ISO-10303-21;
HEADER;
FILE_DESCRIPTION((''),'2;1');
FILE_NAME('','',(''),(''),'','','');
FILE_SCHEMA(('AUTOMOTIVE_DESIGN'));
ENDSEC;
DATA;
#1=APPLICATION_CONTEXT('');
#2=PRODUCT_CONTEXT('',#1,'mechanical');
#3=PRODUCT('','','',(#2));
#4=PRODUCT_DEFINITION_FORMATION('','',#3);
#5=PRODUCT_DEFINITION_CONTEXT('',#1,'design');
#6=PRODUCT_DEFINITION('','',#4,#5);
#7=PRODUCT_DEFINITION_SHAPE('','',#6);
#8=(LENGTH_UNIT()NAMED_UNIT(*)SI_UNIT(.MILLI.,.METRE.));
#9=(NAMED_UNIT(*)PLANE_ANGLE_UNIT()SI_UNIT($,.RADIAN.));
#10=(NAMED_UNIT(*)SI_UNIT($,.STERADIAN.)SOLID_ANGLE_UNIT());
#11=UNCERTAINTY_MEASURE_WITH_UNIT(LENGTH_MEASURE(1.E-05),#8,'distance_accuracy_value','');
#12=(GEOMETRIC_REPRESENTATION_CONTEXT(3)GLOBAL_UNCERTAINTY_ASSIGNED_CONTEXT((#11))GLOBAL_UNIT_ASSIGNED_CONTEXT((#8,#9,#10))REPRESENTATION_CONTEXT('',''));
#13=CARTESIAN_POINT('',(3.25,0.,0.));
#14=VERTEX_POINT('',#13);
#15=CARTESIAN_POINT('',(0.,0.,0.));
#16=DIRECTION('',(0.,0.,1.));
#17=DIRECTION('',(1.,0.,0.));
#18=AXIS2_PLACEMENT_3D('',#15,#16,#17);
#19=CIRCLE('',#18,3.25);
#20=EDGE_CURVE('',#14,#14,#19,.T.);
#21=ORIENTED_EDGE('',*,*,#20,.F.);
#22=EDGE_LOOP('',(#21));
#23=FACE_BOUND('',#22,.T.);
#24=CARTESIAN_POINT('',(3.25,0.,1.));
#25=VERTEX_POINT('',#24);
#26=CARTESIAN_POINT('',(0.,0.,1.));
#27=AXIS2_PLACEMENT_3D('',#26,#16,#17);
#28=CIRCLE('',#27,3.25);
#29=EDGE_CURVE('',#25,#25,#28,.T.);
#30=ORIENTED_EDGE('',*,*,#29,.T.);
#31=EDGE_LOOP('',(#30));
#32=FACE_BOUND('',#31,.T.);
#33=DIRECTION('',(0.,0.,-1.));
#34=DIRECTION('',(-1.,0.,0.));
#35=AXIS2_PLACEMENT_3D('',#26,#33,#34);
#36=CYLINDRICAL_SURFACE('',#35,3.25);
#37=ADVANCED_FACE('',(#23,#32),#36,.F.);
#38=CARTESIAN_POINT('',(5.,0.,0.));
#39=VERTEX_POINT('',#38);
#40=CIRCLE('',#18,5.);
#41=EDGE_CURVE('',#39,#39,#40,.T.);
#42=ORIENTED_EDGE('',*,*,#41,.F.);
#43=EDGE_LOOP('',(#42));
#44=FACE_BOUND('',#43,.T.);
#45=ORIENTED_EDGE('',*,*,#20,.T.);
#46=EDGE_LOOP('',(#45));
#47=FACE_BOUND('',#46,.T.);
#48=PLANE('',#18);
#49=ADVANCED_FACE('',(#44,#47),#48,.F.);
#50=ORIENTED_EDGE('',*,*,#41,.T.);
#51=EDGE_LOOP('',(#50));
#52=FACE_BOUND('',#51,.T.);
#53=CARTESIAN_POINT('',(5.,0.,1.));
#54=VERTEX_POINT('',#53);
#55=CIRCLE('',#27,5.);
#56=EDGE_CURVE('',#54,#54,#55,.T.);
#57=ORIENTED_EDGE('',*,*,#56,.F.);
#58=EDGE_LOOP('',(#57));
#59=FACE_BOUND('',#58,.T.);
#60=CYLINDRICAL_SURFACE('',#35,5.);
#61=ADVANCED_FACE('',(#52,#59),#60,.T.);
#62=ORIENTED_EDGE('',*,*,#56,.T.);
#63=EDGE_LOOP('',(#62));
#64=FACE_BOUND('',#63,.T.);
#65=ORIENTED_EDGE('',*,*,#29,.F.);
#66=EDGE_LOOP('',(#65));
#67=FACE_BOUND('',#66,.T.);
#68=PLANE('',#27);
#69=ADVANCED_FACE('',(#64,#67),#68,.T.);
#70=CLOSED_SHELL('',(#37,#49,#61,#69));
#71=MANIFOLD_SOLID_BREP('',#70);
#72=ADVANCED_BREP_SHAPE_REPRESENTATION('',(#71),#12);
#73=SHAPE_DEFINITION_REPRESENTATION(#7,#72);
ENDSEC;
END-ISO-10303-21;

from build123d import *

# Parameters (mm, degrees)
CROQUIS1_R              = 5
CROQUIS1_R_2            = 3.25
SALIENTE_EXTRUIR1_DEPTH = 1


with BuildPart() as part:
    # Croquis1 → Saliente-Extruir1 (new body)
    with BuildSketch(Plane.XY):
        Circle(CROQUIS1_R)
        Circle(CROQUIS1_R_2, mode=Mode.SUBTRACT)
    extrude(amount=SALIENTE_EXTRUIR1_DEPTH)


solid = part.part
